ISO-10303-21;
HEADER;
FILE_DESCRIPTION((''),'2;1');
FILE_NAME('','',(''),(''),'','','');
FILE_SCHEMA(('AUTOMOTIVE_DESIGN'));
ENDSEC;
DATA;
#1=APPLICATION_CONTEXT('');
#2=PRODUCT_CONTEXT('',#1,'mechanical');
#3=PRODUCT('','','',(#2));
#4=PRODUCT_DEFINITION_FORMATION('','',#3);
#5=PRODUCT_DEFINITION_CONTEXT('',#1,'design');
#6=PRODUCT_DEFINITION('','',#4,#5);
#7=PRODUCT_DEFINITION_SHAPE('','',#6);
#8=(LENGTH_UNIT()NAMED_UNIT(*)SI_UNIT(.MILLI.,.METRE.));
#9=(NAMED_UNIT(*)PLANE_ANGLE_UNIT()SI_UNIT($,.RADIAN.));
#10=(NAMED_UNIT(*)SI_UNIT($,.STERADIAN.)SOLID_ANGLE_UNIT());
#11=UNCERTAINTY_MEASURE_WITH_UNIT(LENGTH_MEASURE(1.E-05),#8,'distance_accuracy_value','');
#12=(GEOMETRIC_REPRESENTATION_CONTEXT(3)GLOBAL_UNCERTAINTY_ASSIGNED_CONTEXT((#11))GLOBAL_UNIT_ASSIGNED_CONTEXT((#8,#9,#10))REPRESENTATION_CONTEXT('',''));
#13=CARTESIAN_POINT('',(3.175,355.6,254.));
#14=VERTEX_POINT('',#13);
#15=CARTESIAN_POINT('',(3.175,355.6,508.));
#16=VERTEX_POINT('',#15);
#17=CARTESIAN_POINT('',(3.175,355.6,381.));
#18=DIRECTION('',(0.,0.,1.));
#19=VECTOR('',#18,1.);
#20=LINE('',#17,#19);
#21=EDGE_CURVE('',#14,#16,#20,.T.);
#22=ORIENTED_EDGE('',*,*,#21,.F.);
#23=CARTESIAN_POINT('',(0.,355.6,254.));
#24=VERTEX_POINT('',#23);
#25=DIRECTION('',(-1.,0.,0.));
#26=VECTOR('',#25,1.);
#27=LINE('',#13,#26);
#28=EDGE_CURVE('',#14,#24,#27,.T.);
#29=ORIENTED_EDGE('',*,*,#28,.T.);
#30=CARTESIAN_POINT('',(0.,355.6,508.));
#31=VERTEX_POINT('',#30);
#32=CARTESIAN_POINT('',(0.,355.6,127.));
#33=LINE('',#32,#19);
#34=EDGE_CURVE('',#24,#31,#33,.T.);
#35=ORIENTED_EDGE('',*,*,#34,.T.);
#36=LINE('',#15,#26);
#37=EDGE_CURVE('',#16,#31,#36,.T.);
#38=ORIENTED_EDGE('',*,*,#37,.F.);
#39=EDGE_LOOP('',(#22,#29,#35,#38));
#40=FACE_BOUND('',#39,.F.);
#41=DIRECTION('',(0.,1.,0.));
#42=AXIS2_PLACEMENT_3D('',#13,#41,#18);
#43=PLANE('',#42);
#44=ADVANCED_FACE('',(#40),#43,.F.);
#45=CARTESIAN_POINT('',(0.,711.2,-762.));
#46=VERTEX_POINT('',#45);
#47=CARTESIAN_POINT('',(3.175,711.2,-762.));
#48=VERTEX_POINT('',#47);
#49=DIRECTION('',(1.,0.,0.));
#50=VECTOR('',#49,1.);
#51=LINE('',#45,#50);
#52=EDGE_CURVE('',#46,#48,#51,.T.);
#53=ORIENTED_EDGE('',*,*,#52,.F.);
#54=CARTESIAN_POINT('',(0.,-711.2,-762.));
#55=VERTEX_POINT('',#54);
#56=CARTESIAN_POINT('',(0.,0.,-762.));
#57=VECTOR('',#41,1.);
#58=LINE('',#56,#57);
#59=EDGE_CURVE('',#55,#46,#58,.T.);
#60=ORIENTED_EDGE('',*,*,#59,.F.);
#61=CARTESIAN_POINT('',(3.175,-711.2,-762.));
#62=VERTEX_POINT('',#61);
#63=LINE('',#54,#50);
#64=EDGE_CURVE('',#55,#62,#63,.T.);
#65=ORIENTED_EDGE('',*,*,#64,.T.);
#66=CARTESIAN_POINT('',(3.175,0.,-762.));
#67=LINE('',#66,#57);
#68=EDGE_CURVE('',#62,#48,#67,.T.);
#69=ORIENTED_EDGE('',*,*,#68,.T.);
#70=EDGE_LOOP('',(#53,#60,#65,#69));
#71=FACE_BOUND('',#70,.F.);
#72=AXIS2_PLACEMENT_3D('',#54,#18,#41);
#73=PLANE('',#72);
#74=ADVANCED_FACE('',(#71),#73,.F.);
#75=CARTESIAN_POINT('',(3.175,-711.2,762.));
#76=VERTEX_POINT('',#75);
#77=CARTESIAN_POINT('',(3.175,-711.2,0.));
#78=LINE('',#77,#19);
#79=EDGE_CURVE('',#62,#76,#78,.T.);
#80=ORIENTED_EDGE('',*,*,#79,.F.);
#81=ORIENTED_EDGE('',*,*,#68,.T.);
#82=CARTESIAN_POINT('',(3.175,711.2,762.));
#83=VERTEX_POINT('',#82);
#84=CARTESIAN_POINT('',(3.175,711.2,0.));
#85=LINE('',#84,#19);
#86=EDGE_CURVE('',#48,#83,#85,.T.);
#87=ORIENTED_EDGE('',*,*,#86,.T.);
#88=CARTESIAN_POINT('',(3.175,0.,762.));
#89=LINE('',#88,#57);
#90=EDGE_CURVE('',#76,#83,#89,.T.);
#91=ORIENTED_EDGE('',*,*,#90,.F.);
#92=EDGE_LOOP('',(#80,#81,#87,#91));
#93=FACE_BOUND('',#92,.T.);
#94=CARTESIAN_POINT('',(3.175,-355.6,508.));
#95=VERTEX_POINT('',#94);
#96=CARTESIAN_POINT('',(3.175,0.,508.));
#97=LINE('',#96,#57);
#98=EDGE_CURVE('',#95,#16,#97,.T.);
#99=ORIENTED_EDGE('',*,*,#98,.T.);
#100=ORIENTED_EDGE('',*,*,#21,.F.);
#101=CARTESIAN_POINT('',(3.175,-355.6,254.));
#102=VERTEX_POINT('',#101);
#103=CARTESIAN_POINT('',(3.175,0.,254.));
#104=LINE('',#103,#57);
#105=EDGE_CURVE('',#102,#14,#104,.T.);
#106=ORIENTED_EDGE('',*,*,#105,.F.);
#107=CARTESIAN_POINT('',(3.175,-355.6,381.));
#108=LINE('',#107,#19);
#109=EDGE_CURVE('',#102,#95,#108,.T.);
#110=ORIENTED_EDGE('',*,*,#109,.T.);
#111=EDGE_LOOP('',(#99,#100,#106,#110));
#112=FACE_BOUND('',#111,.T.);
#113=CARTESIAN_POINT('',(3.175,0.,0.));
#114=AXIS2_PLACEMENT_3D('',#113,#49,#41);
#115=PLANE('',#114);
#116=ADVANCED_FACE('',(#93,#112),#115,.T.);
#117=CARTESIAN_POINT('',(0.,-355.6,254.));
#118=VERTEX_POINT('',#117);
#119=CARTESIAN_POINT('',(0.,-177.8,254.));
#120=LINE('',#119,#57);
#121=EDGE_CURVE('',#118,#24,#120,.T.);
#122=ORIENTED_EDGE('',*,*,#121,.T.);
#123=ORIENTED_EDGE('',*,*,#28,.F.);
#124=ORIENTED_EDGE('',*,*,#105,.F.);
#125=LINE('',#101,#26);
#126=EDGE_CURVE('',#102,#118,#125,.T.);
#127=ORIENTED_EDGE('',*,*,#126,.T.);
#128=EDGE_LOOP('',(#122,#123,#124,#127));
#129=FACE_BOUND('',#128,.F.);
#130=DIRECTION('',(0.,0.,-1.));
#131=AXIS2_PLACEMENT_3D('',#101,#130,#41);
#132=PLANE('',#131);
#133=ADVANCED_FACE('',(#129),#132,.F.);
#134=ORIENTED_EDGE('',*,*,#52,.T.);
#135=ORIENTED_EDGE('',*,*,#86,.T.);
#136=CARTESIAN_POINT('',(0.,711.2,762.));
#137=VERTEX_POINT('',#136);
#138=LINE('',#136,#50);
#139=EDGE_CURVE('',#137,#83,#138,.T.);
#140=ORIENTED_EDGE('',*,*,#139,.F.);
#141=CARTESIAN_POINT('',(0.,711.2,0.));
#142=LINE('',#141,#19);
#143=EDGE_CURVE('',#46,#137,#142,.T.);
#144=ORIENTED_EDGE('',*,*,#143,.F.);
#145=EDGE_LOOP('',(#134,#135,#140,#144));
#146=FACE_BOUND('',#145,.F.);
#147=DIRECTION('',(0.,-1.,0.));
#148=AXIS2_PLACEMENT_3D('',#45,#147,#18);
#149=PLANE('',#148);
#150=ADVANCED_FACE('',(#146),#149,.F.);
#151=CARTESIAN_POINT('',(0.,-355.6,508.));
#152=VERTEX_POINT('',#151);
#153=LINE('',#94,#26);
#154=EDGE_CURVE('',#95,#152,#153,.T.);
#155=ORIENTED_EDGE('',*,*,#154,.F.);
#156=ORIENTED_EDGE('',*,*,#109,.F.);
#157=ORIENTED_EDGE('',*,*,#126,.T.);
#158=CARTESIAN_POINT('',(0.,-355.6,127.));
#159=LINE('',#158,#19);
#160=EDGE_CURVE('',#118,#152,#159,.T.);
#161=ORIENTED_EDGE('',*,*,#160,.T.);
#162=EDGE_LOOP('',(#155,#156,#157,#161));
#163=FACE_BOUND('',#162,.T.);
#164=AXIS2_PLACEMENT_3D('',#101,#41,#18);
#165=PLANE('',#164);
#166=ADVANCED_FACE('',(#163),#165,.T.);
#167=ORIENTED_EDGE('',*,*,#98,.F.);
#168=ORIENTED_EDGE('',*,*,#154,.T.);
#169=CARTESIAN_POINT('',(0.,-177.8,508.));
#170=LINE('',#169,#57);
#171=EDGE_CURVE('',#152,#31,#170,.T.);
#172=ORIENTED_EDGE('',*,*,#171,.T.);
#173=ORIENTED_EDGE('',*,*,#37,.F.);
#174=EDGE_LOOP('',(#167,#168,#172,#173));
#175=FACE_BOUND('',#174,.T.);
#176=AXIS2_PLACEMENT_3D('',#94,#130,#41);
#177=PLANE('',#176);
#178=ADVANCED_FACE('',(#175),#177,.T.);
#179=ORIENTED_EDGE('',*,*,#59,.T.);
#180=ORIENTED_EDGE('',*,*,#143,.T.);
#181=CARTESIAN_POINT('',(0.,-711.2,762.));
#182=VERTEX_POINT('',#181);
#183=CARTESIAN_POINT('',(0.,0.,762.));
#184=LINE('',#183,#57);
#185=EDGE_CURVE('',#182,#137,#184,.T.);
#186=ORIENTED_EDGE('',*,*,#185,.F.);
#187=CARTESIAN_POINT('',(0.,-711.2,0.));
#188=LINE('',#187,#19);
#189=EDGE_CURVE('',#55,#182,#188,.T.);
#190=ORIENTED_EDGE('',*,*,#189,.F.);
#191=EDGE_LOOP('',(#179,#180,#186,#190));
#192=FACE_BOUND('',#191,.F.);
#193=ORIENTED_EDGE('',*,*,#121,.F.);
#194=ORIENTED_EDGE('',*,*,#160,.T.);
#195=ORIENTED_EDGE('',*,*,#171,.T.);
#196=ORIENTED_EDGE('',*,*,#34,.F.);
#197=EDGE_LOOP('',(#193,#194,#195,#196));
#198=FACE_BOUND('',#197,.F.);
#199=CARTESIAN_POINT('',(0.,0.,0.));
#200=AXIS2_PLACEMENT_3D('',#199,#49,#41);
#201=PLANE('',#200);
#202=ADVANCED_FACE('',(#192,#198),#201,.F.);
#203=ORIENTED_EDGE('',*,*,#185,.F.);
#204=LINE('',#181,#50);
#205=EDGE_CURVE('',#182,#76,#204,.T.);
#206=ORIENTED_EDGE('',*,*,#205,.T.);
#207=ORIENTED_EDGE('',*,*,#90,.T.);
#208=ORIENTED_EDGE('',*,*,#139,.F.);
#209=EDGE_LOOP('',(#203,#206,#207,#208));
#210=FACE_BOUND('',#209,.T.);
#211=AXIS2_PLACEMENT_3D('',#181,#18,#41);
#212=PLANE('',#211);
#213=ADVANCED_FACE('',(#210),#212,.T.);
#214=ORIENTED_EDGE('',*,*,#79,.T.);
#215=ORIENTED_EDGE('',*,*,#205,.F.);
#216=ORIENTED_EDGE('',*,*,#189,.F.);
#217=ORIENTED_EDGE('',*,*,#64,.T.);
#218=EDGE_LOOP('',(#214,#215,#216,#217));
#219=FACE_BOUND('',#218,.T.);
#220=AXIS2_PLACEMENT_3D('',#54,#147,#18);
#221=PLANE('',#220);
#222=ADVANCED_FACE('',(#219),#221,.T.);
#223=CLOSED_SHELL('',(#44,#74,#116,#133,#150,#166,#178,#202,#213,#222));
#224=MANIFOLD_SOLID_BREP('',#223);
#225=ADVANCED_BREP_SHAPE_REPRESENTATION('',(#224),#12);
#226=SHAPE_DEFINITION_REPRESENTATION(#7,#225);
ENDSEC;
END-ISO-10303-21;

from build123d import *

# Parameters (mm, degrees)
F0_W     = 1422.4
F0_H     = 1524
F1_DEPTH = 3.175
F2_W     = 711.2
F2_H     = 254
F3_DEPTH = 3.176


with BuildPart() as f1:
    # F0 (on Right) → F1 (new body)
    with BuildSketch(Plane.YZ):
        Rectangle(F0_W, F0_H)
    extrude(amount=F1_DEPTH)

    # F2 (on face) → F3 (cut, through all)
    with BuildSketch(Plane.YZ.offset(3.175)):
        with Locations((0, 381)):
            Rectangle(F2_W, F2_H)
    extrude(amount=-F3_DEPTH, mode=Mode.SUBTRACT)


solid = f1.part
